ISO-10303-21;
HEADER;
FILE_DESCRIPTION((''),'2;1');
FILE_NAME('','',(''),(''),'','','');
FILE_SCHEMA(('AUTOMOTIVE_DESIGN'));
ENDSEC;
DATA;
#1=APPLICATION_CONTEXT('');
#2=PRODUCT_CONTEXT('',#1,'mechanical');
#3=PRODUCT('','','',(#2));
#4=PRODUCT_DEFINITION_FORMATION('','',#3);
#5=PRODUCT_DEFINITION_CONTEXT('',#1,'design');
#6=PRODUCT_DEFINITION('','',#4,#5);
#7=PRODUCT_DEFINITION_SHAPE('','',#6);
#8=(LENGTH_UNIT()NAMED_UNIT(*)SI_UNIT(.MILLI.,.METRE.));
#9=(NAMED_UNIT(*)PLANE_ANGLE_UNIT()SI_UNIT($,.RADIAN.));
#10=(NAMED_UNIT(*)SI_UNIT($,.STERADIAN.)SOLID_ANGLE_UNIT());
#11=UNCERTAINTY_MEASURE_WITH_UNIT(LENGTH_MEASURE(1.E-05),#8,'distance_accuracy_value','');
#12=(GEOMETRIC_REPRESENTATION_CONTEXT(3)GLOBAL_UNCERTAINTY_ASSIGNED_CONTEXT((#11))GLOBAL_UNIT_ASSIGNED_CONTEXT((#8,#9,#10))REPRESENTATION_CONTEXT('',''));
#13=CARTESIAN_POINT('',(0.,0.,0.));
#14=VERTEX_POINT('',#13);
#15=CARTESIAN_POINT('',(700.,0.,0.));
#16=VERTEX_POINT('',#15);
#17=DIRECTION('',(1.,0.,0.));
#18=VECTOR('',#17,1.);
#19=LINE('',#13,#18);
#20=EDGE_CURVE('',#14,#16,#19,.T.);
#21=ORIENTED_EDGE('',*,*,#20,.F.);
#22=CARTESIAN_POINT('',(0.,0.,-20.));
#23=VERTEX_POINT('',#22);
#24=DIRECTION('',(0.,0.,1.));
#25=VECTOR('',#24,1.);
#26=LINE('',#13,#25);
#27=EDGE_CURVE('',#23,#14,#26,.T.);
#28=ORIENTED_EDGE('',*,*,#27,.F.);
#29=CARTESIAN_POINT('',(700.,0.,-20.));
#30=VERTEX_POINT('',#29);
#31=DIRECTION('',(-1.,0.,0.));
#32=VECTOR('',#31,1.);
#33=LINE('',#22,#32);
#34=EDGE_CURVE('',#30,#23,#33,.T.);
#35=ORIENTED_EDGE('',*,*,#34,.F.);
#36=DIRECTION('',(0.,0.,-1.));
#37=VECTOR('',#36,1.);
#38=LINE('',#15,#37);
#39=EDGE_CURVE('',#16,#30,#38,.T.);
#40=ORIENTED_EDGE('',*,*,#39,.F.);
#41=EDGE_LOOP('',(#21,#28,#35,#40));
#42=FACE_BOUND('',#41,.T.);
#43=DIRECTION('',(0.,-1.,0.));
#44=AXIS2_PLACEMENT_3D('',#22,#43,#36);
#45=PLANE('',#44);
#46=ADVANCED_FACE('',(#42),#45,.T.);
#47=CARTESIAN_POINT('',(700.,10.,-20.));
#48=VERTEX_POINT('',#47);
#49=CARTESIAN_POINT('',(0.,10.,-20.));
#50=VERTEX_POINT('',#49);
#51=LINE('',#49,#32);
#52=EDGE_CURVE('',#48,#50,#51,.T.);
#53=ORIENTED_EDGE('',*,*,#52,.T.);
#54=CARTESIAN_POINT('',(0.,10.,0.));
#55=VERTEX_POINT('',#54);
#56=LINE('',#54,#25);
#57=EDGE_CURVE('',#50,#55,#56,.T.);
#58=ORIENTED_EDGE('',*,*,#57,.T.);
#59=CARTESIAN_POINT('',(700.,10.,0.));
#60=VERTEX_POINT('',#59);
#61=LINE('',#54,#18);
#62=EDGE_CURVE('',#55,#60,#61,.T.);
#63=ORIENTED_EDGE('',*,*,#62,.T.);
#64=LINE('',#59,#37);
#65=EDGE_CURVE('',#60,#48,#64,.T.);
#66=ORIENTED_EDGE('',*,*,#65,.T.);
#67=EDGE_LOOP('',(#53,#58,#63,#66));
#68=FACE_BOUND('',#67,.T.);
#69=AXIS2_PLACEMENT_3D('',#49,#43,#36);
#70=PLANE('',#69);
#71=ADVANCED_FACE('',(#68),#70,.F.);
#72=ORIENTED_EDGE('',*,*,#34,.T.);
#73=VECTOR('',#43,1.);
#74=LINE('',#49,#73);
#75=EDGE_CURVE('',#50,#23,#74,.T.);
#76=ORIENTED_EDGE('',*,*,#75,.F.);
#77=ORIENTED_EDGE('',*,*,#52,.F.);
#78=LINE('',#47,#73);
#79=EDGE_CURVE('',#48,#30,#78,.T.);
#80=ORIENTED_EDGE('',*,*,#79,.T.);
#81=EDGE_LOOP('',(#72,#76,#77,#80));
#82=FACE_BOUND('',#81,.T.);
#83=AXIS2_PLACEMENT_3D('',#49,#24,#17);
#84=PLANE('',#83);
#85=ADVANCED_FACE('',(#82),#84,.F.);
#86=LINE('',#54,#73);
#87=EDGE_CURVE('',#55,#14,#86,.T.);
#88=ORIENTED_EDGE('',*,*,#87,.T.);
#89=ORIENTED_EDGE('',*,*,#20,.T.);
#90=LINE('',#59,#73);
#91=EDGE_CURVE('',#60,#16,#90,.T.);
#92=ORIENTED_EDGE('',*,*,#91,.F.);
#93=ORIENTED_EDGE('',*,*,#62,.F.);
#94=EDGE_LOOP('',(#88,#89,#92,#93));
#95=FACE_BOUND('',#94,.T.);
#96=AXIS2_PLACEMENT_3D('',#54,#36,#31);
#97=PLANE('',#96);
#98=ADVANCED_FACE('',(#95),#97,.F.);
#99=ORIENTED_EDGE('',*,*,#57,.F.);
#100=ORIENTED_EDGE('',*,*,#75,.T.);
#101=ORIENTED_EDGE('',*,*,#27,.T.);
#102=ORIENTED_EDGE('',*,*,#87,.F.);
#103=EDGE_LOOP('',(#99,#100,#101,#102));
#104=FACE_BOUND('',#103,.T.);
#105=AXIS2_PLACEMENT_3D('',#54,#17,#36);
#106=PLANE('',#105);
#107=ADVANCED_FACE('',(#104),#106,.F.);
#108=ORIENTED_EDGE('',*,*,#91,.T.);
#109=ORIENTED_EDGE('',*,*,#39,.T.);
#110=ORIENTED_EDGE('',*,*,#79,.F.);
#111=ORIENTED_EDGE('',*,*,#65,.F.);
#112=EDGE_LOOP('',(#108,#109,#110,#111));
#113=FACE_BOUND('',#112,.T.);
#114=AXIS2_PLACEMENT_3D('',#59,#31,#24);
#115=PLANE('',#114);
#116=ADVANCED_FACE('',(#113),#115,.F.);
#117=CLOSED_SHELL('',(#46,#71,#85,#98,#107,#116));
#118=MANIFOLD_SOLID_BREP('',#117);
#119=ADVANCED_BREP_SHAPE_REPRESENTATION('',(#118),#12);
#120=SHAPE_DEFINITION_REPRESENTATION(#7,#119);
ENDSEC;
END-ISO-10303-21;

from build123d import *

# Parameters (mm, degrees)
ESQUISSE1_W      = 700
ESQUISSE1_H      = 20
EXTRUSION1_DEPTH = 10


with BuildPart() as part:
    # Esquisse1 → Extrusion1 (new body)
    with BuildSketch(Plane(origin=(0, 0, 0), x_dir=(1, 0, 0), z_dir=(0, 1, 0))):
        with Locations((350, 10)):
            Rectangle(ESQUISSE1_W, ESQUISSE1_H)
    extrude(amount=EXTRUSION1_DEPTH)


solid = part.part
